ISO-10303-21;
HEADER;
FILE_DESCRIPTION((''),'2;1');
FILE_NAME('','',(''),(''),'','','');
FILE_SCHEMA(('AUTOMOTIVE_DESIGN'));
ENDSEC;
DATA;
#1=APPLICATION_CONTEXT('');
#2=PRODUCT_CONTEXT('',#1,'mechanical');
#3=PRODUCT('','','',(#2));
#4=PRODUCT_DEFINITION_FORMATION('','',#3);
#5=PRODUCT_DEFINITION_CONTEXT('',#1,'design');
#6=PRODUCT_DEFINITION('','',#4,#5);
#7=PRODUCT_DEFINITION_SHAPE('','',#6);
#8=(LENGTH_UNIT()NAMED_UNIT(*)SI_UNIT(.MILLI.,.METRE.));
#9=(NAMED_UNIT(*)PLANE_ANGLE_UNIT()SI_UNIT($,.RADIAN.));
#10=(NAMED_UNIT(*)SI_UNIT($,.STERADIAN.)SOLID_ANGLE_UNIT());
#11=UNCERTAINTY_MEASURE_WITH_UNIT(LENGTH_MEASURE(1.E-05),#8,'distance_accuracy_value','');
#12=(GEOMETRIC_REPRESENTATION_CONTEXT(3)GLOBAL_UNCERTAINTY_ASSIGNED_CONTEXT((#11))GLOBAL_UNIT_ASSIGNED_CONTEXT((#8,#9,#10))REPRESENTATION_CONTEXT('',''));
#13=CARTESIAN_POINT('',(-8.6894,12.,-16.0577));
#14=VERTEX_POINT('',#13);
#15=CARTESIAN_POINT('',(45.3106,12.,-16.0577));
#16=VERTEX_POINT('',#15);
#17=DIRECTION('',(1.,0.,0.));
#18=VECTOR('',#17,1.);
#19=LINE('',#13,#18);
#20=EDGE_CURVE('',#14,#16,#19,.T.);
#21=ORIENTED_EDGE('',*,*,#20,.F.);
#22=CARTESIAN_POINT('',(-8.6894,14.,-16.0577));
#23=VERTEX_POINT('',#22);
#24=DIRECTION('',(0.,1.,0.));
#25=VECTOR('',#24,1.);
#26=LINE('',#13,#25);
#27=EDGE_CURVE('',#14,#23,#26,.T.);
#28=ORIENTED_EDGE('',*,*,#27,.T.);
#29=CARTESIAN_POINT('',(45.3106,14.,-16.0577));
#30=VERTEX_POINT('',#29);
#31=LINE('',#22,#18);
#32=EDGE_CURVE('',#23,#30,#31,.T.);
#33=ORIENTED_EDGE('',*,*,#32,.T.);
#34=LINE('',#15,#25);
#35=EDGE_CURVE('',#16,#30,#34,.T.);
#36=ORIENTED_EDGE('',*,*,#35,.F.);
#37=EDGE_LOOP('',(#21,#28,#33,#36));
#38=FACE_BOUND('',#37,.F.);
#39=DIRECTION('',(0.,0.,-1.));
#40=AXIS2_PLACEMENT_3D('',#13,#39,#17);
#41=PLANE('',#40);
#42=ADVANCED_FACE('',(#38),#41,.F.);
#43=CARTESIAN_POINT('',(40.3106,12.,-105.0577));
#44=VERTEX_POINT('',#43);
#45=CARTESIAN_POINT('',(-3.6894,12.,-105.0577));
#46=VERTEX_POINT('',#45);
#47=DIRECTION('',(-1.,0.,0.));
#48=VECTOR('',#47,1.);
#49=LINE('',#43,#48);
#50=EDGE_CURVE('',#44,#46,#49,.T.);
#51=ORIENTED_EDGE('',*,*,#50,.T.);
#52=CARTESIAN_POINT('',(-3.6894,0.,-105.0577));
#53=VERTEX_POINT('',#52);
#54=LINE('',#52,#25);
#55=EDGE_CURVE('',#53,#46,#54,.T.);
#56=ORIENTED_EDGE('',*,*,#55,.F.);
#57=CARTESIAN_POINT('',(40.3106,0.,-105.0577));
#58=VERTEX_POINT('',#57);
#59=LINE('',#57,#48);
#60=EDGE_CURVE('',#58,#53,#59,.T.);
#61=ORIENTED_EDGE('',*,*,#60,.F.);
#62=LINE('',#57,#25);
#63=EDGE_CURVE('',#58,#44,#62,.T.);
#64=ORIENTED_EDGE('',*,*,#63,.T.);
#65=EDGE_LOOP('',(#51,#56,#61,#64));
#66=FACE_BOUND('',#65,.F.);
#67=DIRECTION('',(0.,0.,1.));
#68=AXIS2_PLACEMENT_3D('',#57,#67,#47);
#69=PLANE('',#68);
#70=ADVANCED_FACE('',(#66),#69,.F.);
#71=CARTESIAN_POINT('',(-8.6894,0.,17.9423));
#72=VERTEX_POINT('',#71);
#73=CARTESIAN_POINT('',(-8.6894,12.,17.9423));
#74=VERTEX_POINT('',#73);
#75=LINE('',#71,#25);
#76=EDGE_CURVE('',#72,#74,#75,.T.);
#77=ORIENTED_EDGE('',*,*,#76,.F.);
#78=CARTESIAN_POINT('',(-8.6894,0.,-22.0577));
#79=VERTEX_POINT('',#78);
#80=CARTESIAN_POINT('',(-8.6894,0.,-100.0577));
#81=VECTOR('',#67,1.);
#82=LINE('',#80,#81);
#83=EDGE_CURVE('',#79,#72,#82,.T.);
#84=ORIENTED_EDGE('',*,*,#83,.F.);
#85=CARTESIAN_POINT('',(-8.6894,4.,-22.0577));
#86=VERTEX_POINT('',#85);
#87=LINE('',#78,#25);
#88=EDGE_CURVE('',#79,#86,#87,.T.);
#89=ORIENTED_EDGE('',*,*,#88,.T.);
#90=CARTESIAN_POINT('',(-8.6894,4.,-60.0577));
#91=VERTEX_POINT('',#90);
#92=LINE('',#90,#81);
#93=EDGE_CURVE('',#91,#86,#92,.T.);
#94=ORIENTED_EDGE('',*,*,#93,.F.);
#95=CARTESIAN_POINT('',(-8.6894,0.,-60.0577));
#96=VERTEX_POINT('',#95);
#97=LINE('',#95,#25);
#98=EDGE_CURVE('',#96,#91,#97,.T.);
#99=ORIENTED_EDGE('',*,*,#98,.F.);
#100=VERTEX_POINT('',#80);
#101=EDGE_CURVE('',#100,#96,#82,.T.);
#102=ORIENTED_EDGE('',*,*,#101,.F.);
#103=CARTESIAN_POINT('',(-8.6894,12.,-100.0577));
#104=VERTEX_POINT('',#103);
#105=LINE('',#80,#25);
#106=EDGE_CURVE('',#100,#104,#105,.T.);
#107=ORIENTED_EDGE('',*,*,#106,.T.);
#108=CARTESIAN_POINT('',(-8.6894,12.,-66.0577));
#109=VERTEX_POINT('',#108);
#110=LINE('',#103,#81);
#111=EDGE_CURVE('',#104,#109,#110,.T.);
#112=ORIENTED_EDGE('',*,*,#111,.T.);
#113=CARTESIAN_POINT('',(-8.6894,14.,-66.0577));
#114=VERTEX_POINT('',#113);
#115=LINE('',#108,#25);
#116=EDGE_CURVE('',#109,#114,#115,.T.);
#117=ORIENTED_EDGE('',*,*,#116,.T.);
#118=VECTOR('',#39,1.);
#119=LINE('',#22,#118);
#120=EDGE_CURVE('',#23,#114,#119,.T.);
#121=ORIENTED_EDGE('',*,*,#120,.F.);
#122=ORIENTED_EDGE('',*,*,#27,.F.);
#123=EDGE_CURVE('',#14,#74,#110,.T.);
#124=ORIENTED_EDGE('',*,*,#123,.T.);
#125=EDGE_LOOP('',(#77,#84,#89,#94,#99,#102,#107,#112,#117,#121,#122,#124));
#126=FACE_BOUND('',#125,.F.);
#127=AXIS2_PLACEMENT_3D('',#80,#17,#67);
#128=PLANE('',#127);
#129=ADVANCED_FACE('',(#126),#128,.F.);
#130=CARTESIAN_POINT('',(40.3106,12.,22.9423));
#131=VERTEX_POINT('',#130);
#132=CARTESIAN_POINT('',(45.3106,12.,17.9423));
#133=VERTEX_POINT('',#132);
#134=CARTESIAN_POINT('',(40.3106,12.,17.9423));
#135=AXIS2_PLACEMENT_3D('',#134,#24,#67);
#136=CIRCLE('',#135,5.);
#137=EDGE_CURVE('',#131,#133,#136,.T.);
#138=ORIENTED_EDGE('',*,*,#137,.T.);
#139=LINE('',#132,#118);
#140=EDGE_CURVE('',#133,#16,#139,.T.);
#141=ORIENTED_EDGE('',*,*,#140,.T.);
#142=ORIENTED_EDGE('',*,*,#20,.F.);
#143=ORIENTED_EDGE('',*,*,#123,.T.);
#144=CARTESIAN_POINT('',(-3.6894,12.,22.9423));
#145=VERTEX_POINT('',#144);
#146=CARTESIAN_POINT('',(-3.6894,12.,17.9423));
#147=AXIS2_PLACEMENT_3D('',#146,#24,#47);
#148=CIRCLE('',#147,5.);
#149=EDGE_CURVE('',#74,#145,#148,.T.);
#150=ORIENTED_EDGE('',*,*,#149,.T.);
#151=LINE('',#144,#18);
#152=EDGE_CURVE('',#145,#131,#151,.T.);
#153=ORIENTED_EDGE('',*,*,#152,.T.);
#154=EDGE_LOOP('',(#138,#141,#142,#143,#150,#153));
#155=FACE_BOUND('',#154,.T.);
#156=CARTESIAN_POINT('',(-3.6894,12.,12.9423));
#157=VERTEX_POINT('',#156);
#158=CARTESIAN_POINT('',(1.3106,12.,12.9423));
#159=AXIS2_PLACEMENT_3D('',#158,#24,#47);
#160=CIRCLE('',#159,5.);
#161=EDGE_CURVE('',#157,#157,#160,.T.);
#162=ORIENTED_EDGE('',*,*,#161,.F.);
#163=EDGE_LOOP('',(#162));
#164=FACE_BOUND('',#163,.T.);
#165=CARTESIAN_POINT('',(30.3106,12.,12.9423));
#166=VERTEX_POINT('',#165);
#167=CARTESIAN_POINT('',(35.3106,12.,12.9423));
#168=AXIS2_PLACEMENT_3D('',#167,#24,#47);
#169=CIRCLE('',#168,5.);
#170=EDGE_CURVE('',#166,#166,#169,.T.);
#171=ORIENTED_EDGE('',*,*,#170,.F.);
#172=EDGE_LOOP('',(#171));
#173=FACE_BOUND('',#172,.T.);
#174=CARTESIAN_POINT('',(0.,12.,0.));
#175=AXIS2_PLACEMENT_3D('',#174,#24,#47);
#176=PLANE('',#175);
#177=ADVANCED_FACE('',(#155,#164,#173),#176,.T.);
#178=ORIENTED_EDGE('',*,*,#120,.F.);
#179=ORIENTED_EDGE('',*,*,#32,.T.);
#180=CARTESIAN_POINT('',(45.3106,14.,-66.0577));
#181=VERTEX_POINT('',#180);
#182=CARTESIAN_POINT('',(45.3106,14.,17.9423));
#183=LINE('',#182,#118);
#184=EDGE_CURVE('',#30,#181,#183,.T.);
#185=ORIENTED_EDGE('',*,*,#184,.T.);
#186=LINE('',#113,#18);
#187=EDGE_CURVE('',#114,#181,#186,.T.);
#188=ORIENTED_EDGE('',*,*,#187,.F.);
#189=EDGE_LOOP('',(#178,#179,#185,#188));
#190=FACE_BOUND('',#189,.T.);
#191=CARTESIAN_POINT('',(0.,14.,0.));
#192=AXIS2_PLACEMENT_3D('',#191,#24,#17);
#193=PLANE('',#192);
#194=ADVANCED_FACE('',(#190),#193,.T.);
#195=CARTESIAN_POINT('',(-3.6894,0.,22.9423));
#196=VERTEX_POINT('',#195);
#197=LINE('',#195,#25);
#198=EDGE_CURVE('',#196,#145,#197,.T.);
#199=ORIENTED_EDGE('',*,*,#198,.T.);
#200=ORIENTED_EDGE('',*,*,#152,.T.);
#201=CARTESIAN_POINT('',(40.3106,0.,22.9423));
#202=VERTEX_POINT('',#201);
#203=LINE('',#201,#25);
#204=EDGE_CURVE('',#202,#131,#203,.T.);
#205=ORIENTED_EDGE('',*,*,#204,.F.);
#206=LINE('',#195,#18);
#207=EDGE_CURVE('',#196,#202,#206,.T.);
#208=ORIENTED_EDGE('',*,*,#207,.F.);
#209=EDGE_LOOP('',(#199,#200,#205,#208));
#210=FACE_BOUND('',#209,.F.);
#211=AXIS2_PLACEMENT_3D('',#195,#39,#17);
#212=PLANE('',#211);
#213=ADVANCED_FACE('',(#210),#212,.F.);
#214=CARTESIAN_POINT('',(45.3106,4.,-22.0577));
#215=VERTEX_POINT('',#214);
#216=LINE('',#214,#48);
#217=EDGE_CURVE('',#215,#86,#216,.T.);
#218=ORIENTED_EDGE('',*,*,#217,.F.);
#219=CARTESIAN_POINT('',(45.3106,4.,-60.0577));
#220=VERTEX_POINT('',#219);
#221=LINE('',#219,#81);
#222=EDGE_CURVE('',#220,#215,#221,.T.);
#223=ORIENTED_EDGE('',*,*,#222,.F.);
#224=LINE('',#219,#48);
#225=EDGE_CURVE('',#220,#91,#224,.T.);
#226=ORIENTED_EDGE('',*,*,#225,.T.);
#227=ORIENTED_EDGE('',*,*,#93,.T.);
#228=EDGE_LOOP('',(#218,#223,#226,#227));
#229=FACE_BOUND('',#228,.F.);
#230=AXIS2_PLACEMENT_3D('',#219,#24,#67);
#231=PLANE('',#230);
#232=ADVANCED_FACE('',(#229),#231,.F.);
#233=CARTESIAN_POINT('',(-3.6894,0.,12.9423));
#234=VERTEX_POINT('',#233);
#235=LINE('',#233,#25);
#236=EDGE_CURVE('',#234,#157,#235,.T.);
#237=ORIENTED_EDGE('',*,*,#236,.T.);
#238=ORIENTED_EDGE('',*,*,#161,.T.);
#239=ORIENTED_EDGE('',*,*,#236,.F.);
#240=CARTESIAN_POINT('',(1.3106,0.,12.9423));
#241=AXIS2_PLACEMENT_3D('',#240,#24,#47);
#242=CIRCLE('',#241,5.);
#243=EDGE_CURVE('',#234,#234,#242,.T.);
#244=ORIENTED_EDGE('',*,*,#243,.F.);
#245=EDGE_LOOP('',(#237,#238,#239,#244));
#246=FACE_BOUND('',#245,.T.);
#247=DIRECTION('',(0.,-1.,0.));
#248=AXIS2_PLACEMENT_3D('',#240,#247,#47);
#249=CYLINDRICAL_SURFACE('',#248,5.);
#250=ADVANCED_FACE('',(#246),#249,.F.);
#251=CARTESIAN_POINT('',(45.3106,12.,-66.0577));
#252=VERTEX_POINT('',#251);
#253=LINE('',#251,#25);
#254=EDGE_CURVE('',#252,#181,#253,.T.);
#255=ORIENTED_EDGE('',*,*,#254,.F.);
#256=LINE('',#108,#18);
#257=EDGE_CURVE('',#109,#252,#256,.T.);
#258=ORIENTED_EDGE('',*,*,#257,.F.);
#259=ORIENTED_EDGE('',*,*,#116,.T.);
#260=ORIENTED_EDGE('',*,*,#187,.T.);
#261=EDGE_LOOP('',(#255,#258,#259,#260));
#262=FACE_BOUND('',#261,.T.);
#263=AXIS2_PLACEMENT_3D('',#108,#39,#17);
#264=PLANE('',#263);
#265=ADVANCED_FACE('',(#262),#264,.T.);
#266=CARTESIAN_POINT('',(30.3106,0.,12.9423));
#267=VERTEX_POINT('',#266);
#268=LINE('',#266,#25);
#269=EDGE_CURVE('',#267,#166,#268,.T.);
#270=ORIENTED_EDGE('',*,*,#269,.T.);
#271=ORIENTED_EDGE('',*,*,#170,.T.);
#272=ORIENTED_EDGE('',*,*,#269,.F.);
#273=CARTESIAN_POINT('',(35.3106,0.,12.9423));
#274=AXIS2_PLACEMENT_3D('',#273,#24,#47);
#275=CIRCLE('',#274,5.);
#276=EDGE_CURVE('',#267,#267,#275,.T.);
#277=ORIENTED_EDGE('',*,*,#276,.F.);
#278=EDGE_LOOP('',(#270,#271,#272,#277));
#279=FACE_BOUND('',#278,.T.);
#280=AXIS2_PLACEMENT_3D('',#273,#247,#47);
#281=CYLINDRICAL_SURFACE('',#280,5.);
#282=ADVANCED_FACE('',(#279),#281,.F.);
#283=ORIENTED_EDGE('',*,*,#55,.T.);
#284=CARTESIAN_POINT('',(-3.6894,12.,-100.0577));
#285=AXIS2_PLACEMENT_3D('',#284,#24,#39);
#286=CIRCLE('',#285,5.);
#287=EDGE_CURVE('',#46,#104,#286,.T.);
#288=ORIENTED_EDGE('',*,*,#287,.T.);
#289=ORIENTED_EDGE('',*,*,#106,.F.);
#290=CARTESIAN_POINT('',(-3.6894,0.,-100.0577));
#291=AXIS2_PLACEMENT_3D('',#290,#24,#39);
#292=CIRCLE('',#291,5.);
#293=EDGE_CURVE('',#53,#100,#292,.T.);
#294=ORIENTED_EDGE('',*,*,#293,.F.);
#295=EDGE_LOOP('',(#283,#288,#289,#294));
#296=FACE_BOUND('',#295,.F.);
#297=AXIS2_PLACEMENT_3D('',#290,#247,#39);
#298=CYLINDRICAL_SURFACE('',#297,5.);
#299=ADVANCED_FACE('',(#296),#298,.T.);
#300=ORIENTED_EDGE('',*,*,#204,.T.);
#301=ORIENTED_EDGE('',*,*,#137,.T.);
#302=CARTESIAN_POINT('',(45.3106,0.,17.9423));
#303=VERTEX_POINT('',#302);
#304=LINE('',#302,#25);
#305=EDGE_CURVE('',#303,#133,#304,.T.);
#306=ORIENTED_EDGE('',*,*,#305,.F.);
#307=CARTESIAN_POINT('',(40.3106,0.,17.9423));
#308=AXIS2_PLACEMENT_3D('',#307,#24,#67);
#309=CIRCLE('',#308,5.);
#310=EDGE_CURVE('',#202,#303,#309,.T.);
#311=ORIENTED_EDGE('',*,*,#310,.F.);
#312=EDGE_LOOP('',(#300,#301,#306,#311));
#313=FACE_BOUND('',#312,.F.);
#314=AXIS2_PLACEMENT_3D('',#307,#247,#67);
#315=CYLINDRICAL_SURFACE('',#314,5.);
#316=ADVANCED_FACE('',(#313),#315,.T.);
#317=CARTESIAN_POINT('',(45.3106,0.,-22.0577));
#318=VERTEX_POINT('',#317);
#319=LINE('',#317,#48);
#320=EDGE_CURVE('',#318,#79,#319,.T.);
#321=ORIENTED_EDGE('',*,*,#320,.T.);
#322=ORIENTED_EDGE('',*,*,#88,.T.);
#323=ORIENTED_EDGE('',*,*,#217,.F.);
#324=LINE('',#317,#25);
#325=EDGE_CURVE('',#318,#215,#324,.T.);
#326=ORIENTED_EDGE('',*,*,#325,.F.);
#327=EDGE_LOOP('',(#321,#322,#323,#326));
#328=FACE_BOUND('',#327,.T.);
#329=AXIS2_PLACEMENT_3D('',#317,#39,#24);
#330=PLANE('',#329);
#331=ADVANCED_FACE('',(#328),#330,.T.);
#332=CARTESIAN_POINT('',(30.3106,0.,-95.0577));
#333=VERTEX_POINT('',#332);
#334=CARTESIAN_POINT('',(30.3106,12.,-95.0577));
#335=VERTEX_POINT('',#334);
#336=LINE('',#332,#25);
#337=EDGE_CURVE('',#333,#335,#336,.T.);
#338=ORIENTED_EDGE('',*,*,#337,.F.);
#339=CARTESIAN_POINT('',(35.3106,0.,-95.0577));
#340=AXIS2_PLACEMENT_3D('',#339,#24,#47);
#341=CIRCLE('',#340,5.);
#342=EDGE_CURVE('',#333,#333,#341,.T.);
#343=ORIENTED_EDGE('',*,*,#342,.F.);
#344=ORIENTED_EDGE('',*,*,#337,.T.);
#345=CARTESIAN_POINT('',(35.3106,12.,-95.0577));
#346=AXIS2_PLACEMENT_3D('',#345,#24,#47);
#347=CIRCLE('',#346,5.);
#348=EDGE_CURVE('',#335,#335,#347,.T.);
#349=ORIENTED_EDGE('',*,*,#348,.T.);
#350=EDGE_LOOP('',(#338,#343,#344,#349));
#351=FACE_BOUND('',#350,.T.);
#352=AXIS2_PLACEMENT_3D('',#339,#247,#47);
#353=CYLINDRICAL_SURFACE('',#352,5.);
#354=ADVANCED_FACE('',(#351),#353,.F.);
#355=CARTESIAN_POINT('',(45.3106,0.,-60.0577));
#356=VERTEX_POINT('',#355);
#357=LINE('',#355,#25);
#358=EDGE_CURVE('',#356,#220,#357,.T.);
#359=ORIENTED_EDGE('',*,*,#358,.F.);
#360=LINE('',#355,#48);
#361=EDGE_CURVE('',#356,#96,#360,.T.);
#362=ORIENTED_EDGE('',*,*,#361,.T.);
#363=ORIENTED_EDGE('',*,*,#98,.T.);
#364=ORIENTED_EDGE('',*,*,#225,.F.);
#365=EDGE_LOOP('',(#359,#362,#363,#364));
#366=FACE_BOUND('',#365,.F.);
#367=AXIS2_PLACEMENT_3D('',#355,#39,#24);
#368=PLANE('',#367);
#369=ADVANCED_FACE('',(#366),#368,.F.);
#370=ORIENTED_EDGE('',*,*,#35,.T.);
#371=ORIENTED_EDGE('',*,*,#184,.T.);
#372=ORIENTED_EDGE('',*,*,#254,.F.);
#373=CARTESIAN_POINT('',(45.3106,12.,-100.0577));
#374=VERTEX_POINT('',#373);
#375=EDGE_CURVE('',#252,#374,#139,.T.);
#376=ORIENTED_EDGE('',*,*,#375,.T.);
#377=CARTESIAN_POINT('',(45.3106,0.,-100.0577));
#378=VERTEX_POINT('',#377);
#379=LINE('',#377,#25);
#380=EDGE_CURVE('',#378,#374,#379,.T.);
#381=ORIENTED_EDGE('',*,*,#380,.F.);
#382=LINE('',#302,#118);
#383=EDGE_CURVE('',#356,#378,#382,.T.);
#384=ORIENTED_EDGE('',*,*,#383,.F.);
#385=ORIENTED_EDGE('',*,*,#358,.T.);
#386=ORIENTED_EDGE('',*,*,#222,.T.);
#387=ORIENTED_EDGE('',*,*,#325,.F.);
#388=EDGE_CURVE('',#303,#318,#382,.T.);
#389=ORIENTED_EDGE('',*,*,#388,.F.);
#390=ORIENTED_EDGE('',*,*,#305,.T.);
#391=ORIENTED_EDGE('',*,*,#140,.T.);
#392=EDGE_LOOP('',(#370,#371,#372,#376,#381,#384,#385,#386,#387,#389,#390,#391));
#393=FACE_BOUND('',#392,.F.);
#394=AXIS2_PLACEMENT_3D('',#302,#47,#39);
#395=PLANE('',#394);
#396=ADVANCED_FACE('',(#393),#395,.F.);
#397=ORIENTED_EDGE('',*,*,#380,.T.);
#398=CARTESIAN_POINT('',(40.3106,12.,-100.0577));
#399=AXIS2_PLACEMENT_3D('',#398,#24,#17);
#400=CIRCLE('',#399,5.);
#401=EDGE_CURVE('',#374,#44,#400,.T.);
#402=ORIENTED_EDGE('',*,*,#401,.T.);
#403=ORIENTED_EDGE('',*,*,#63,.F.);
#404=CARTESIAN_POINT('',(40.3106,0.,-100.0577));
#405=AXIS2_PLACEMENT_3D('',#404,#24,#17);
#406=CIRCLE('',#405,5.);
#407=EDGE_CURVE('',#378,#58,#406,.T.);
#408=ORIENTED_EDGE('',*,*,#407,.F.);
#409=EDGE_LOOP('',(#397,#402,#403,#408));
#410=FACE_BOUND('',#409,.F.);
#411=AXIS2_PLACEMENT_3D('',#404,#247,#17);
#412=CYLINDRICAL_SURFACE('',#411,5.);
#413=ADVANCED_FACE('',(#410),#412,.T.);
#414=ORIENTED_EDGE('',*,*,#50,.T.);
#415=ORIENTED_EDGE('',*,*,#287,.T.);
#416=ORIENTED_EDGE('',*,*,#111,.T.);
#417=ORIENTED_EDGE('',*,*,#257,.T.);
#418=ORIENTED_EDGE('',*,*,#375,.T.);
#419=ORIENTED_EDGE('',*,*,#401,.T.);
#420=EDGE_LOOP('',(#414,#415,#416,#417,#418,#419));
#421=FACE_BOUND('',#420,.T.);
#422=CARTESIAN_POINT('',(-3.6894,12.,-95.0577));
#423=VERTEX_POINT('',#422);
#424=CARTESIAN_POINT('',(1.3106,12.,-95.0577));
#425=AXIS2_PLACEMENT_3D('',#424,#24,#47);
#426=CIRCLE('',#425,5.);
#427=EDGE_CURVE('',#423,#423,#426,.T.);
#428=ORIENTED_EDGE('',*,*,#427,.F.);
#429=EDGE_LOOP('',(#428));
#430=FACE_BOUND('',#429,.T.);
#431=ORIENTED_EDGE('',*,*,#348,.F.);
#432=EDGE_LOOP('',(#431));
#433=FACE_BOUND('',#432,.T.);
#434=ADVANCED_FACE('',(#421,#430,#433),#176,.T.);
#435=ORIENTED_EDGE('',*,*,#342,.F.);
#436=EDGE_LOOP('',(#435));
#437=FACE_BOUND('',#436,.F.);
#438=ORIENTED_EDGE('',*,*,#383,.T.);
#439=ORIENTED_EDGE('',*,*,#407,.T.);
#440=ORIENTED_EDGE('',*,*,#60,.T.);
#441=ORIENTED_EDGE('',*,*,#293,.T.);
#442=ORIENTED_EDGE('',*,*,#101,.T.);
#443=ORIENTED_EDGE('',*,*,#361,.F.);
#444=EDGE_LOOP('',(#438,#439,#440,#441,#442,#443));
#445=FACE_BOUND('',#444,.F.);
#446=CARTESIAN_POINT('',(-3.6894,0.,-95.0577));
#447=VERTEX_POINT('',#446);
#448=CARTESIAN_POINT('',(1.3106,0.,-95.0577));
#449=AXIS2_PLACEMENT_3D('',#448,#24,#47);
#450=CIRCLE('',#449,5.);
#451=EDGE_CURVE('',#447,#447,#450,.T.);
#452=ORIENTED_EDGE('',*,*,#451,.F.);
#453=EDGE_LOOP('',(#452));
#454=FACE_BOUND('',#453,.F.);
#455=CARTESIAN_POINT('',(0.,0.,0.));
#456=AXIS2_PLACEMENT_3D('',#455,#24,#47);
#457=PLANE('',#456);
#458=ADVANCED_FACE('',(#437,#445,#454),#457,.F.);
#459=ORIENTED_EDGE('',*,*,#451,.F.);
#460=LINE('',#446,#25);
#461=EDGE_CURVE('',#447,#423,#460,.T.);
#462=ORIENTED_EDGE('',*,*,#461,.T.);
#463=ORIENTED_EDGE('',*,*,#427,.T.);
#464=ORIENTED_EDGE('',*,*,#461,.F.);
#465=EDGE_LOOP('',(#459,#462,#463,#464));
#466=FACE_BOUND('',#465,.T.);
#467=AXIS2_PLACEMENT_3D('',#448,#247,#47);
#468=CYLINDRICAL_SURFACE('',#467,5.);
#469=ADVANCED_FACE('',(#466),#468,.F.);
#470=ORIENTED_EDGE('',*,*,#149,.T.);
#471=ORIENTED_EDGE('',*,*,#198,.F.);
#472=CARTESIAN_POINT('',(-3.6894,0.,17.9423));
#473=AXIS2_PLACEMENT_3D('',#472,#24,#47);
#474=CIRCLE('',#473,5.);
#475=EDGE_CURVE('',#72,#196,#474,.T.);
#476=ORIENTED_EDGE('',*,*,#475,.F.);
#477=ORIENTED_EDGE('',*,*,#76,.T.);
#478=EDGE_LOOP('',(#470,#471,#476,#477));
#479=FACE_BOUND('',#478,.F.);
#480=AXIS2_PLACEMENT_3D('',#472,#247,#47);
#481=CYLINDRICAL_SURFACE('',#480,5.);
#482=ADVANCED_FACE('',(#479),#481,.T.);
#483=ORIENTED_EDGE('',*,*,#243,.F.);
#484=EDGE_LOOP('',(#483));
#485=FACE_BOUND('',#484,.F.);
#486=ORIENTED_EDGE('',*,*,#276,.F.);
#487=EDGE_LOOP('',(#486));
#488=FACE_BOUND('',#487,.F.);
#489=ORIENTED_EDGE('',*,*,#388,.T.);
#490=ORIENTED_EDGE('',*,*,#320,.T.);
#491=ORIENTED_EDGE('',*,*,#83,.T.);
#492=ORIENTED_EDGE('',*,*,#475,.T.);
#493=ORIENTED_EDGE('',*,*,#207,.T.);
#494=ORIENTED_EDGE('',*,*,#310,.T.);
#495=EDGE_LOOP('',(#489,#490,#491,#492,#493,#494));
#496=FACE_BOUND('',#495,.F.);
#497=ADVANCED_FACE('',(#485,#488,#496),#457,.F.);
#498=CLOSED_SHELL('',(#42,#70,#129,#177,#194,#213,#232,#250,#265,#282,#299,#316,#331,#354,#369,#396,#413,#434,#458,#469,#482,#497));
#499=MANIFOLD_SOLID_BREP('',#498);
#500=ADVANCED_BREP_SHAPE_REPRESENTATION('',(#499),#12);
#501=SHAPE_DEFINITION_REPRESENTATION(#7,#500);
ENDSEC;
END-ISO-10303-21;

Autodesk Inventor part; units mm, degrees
ref_plane "YZ Plane" through (0, 0, 0) normal (1, 0, 0) x (0, 1, 0)
ref_plane "XZ Plane" through (0, 0, 0) normal (0, 1, 0) x (-1, 0, 0)
ref_plane "XY Plane" through (0, 0, 0) normal (0, 0, 1) x (1, 0, 0)
sketch "Sketch1" plane through (0, 0, 0) normal (0, 1, 0) x (-1, 0, 0)
  line L0 (3.6894, 22.9423) -> (-40.3106, 22.9423)
  line L1 (-45.3106, 17.9423) -> (-45.3106, -100.0577)
  line L2 (-40.3106, -105.0577) -> (3.6894, -105.0577)
  line L3 (8.6894, -100.0577) -> (8.6894, 17.9423)
  arc A0 (8.6894, 17.9423) -> (3.6894, 22.9423) centre (3.6894, 17.9423) ccw
  arc A1 (3.6894, -105.0577) -> (8.6894, -100.0577) centre (3.6894, -100.0577) ccw
  arc A2 (-40.3106, 22.9423) -> (-45.3106, 17.9423) centre (-40.3106, 17.9423) ccw
  arc A3 (-45.3106, -100.0577) -> (-40.3106, -105.0577) centre (-40.3106, -100.0577) ccw
  circle A4 centre (-1.3106, 12.9423) radius 5
  circle A5 centre (-1.3106, -95.0577) radius 5
  circle A6 centre (-35.3106, 12.9423) radius 5
  circle A7 centre (-35.3106, -95.0577) radius 5
  point P0 (0, 0)
  point P1 (-45.3106, -105.0577)
  point P2 (-45.3106, 22.9423)
  point P3 (8.6894, -105.0577)
  dimension "d0" = 54
  dimension "d1" = 128
  dimension "d2" = 5
  dimension "d3" = 5
  dimension "d4" = 5
  dimension "d5" = 5
  dimension "d6" = 10
  dimension "d7" = 10
  dimension "d8" = 10
  dimension "d9" = 10
  dimension "d10" = 10
  dimension "d11" = 10
  dimension "d12" = 10
  dimension "d13" = 10
  dimension "d14" = 10
  dimension "d15" = 10
  dimension "d16" = 10
  dimension "d17" = 10
extrude "Extrusion1" add sketch "Sketch1" along normal blind 12
sketch "Sketch2" plane through (0, 12, 0) normal (0, 1, 0) x (1, 0, 0)
  arc A0 (-8.6894, -17.9423) -> (-3.6894, -22.9423) centre (-3.6894, -17.9423) ccw projected
  line L0 (40.3106, 105.0577) -> (-3.6894, 105.0577) projected
  line L1 (-8.6894, 100.0577) -> (-8.6894, -17.9423) projected
  line L2 (-8.6894, 41.0577) -> (-8.6894, 16.0577)
  line L3 (-8.6894, 41.0577) -> (-8.6894, 66.0577)
  line L4 (-8.6894, 16.0577) -> (45.3106, 16.0577)
  line L5 (45.3106, -17.9423) -> (45.3106, 100.0577) projected
  line L6 (-8.6894, 66.0577) -> (45.3106, 66.0577)
  line L7 (45.3106, 66.0577) -> (45.3106, 16.0577)
  point P0 (0, 0)
  dimension "d21" = 25
  dimension "d22" = 25
extrude "Extrusion2" add sketch "Sketch2" along normal blind 2
sketch "Sketch3" plane through (45.3106, 0, 17.9423) normal (1, 0, 0) x (0, 0, -1)
  line L0 (34, 14) -> (59, 14)
  line L1 (118, 0) -> (0, 0) projected
  line L2 (59, 0) -> (40, 0)
  line L3 (59, 0) -> (78, 0)
  line L4 (40, 0) -> (40, 4)
  line L5 (78, 0) -> (78, 4)
  line L6 (78, 4) -> (40, 4)
  point P0 (17.9423, 0)
  dimension "d26" = 19
  dimension "d27" = 19
  dimension "d28" = 4
  dimension "d29" = 4
extrude "Extrusion3" cut sketch "Sketch3" against normal blind 54
properties part number "ttab"
